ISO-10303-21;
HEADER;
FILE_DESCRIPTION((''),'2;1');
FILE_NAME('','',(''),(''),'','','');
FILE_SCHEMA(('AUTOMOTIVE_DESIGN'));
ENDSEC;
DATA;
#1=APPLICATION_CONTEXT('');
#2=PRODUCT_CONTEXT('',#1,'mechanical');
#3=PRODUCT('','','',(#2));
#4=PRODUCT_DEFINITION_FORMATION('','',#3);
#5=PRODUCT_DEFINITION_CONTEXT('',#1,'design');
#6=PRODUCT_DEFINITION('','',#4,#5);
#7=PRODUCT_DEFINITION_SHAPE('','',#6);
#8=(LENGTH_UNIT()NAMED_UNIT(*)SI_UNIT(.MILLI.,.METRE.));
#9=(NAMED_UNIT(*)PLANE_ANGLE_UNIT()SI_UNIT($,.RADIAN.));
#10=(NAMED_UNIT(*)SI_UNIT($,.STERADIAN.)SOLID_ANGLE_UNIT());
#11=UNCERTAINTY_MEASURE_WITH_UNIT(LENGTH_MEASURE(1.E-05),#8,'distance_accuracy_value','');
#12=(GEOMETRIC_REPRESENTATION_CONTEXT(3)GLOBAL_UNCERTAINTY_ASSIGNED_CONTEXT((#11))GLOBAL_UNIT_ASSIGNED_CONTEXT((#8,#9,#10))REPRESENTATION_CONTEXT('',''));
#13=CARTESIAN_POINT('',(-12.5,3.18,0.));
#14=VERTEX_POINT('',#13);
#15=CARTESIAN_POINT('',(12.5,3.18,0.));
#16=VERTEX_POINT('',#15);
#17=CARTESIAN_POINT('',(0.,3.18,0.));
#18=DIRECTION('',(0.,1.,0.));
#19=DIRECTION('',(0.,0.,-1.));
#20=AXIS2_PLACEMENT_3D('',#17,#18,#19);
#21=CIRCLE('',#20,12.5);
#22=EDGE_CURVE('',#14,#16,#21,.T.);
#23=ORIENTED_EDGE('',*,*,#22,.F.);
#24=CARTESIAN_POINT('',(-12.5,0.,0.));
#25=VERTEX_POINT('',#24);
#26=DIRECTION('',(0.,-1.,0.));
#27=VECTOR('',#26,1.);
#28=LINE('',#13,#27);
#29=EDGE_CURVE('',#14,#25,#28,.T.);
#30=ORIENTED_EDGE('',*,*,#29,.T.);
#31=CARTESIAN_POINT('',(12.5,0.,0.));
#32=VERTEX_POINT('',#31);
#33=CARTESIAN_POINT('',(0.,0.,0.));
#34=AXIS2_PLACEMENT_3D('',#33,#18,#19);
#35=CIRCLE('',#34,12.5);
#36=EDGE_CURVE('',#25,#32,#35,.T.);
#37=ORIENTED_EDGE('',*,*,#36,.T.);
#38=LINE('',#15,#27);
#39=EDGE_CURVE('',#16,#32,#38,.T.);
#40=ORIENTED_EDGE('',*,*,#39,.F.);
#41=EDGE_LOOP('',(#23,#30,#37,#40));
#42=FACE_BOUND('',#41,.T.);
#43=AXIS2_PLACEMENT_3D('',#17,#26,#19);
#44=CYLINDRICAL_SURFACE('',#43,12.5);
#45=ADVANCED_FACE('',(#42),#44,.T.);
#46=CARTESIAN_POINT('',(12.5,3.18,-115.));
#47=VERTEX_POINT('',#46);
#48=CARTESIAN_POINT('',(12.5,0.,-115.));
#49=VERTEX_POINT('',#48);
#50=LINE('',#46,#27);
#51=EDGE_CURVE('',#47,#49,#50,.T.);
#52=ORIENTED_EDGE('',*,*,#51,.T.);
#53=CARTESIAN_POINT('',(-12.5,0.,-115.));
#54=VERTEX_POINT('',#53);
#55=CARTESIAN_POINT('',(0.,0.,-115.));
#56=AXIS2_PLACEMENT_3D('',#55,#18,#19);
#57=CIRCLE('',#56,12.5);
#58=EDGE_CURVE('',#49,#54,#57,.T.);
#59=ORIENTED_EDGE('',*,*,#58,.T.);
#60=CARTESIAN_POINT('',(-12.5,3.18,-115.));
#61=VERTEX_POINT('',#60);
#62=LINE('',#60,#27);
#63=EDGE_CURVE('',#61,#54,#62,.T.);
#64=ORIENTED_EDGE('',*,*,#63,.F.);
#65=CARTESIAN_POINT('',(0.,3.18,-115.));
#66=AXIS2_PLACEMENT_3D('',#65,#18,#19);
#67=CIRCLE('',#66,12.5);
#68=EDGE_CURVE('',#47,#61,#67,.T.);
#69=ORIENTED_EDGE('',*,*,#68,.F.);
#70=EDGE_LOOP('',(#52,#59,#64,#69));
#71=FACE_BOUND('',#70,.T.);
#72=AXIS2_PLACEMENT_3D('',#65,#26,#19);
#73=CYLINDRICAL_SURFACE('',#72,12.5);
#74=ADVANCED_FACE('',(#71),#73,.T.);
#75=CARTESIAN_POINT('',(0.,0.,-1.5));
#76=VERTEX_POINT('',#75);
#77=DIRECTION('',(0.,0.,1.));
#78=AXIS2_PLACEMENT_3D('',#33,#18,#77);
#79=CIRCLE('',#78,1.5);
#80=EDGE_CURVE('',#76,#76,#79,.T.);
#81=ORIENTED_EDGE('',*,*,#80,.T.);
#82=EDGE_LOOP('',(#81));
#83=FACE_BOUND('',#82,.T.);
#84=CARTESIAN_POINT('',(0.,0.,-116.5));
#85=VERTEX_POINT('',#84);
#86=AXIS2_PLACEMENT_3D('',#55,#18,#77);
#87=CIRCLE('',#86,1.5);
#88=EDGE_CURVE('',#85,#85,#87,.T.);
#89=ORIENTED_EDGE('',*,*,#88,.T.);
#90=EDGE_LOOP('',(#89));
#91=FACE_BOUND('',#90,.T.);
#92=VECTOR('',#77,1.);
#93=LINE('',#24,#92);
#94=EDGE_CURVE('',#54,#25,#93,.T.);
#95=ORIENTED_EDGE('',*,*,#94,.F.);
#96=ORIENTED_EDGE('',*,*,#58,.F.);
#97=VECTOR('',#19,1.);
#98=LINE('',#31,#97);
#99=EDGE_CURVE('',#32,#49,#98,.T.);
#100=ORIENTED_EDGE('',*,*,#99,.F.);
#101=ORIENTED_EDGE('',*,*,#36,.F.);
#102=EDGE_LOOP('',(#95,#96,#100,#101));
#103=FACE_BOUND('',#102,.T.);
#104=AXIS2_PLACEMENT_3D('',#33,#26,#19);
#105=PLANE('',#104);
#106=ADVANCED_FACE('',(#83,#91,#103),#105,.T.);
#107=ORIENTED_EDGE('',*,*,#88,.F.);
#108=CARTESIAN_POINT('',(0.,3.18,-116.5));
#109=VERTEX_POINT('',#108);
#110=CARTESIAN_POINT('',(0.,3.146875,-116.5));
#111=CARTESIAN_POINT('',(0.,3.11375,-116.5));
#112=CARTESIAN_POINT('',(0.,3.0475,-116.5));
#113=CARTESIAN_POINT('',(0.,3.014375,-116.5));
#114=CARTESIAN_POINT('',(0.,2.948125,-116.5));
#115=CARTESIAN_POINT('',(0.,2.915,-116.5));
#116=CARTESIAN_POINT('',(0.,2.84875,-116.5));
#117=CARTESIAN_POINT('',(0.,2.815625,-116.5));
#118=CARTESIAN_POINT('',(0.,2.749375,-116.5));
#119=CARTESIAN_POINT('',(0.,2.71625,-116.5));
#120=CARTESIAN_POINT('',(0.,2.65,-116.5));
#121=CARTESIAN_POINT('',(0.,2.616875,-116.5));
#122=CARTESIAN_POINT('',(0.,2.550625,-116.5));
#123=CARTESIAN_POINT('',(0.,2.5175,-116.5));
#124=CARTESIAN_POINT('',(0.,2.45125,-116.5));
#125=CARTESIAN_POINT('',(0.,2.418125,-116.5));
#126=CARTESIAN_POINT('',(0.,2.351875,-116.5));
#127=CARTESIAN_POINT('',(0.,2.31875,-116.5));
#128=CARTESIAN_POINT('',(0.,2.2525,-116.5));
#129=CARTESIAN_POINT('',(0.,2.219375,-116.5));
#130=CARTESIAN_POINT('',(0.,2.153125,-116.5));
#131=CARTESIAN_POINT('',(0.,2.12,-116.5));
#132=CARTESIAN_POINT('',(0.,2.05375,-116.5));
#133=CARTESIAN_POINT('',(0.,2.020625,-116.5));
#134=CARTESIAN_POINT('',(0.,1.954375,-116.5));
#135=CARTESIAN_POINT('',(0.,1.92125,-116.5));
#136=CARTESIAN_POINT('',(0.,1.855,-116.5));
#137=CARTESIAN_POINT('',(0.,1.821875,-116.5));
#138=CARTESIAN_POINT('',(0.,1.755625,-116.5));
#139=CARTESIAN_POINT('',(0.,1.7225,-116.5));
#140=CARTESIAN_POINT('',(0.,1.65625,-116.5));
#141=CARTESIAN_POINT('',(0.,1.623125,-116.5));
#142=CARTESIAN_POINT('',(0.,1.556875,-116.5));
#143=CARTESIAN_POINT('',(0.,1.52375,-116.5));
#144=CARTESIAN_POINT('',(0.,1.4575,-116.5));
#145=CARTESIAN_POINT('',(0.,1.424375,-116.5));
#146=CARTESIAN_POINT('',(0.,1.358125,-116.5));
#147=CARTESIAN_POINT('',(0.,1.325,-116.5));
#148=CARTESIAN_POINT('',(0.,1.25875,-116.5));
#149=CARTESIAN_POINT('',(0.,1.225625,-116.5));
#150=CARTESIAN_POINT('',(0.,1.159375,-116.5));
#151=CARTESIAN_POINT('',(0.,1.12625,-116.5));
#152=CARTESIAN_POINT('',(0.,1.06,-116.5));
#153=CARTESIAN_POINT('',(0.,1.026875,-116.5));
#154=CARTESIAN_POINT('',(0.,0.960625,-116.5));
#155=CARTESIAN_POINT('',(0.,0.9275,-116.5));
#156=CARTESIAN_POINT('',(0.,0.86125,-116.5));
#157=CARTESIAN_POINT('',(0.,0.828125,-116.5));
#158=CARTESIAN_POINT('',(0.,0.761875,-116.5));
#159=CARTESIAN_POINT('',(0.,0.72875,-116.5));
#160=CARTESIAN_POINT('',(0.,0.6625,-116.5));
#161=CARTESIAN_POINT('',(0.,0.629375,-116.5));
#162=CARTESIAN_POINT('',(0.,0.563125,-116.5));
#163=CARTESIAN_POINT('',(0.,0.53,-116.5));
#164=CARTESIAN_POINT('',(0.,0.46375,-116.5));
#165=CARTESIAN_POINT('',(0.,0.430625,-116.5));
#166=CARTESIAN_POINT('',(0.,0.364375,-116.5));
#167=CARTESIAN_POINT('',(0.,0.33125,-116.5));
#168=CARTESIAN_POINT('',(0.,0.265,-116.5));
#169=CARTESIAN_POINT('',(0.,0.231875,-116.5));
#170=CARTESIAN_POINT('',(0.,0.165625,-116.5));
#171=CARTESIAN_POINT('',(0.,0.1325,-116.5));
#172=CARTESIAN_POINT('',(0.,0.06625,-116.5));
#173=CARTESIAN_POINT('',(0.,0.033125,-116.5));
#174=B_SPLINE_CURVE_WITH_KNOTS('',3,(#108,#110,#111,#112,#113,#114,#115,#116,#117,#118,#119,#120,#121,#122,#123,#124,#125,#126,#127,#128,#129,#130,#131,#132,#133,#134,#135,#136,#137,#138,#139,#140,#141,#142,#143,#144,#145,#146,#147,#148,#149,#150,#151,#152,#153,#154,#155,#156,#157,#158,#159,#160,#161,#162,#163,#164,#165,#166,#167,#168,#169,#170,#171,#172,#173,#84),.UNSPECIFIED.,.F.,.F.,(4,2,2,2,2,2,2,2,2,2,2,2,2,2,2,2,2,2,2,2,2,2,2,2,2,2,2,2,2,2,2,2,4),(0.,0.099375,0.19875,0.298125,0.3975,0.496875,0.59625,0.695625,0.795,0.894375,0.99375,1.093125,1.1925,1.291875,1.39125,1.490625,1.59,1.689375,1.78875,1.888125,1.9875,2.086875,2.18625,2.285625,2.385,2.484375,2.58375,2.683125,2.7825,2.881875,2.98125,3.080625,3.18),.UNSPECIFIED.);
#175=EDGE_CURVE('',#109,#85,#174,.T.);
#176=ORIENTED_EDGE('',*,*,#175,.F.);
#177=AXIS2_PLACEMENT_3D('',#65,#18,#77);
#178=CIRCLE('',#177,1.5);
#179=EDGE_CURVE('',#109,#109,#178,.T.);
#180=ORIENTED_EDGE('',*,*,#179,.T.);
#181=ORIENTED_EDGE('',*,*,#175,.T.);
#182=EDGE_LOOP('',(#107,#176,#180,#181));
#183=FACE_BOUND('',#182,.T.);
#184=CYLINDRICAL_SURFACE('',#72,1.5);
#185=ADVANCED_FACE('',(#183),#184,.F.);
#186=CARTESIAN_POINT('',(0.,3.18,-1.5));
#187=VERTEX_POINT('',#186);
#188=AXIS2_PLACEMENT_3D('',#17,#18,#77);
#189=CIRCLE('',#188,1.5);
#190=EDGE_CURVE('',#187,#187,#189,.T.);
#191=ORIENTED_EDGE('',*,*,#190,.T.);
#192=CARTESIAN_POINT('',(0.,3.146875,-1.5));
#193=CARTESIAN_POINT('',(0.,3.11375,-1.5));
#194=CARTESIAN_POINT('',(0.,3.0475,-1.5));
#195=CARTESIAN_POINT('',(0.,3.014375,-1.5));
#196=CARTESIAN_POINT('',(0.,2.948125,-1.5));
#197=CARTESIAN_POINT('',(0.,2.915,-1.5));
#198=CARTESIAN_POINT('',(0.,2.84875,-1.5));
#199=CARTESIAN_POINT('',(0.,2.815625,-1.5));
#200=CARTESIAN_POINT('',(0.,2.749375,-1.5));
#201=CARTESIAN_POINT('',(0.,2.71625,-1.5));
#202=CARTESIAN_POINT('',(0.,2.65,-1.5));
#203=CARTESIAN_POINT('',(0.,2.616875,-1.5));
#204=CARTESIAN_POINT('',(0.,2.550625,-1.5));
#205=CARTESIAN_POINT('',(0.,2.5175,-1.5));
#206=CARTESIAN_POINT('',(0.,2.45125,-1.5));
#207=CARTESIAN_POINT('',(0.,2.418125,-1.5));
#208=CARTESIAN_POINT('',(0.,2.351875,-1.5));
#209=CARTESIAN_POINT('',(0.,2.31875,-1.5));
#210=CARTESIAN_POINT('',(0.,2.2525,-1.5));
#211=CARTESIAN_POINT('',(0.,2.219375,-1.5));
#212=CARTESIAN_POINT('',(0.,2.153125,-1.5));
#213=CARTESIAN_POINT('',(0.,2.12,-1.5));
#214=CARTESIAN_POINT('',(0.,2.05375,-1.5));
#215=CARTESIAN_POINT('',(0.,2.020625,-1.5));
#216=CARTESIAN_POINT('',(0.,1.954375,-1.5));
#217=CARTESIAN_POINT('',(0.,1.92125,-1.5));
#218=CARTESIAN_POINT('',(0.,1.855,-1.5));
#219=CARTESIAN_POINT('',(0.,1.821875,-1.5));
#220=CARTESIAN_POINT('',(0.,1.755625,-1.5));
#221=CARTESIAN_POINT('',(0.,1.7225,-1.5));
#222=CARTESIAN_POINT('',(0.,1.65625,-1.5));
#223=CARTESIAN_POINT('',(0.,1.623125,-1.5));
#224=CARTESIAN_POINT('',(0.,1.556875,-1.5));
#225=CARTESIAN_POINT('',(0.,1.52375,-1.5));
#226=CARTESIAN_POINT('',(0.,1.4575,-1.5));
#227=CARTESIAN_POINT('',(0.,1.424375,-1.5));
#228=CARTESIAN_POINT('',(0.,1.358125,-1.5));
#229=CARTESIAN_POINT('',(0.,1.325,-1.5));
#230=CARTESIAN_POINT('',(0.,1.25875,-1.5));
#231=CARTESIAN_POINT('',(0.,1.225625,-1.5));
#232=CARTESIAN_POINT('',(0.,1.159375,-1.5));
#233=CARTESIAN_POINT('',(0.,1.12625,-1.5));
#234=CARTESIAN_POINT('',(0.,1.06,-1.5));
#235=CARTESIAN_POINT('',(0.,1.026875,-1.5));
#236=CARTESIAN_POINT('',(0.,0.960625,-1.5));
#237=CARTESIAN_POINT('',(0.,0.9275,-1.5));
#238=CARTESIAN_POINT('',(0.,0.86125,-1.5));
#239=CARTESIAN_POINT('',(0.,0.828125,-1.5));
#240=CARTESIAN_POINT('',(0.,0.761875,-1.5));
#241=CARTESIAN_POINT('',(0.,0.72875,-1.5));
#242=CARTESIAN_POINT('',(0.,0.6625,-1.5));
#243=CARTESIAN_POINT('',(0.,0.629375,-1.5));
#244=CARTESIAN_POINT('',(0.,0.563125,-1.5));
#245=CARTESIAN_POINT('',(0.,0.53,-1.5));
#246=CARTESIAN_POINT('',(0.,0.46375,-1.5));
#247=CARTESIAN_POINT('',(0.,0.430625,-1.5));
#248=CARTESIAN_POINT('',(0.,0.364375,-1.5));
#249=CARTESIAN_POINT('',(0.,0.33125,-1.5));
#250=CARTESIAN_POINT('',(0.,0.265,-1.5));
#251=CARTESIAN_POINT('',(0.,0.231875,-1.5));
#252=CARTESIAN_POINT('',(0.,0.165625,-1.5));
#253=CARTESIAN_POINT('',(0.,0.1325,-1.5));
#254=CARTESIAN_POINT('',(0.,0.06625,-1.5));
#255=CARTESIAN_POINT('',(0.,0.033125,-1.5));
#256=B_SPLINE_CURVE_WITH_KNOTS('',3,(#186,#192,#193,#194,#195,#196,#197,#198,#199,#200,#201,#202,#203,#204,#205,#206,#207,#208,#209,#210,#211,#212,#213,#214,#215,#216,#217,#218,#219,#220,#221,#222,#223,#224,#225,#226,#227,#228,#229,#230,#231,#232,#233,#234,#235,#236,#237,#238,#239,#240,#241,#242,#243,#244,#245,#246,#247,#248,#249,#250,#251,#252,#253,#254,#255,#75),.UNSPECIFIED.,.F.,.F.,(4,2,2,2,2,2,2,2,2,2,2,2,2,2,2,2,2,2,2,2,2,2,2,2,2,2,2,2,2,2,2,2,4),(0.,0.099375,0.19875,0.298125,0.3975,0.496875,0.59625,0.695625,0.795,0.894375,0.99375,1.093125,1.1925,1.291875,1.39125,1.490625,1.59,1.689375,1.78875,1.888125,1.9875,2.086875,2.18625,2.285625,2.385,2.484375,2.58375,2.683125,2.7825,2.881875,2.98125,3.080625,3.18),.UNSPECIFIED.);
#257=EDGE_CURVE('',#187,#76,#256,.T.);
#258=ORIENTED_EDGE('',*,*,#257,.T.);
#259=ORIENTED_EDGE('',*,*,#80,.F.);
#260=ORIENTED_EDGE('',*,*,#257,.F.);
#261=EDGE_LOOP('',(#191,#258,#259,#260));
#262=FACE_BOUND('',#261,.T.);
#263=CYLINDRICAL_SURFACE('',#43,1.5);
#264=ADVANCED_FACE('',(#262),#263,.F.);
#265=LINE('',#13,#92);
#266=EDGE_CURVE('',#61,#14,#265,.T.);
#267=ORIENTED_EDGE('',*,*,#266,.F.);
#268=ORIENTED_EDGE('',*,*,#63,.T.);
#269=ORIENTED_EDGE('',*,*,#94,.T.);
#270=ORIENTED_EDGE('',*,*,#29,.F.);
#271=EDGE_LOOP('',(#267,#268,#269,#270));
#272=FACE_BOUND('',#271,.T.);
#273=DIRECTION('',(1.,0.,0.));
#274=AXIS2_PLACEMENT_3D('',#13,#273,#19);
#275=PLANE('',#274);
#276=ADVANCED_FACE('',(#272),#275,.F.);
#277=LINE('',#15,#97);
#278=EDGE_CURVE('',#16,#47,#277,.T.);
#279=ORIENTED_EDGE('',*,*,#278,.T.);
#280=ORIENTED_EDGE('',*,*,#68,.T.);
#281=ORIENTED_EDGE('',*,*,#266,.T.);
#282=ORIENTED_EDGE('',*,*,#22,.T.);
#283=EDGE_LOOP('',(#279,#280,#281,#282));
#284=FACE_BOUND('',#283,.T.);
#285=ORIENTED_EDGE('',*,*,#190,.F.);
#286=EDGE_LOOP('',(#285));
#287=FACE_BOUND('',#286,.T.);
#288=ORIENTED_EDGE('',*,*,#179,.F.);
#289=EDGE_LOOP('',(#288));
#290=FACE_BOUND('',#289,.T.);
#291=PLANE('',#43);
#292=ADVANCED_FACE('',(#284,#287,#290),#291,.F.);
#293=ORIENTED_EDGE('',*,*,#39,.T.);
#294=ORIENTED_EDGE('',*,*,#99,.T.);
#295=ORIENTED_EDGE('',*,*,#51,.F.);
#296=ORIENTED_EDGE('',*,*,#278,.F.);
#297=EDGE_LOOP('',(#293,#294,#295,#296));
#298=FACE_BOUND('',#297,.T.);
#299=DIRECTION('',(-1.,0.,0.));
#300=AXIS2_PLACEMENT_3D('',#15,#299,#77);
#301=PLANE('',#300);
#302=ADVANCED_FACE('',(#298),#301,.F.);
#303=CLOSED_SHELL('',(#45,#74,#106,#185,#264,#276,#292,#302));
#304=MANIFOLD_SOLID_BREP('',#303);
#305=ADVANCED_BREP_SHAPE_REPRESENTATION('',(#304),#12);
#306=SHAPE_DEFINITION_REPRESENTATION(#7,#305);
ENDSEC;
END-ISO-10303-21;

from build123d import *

# Parameters (mm, degrees)
SKETCH1_R           = 1.5
BOSS_EXTRUDE1_DEPTH = 3.18


with BuildPart() as part:
    # Sketch1 → Boss-Extrude1 (new body)
    with BuildSketch(Plane(origin=(0, 0, 0), x_dir=(1, 0, 0), z_dir=(0, 1, 0))):
        with BuildLine():
            Line((-12.5, 0), (-12.5, 115))
            ThreePointArc((-12.5, 115), (0, 127.5), (12.5, 115))
            Line((12.5, 115), (12.5, 0))
            ThreePointArc((12.5, 0), (0, -12.5), (-12.5, 0))
        make_face()
        with Locations(Location((0, 115, 0), (0, 0, 90))):
            Circle(SKETCH1_R, mode=Mode.SUBTRACT)
        with Locations(Location((0, 0, 0), (0, 0, 90))):
            Circle(SKETCH1_R, mode=Mode.SUBTRACT)
    extrude(amount=BOSS_EXTRUDE1_DEPTH)


solid = part.part
